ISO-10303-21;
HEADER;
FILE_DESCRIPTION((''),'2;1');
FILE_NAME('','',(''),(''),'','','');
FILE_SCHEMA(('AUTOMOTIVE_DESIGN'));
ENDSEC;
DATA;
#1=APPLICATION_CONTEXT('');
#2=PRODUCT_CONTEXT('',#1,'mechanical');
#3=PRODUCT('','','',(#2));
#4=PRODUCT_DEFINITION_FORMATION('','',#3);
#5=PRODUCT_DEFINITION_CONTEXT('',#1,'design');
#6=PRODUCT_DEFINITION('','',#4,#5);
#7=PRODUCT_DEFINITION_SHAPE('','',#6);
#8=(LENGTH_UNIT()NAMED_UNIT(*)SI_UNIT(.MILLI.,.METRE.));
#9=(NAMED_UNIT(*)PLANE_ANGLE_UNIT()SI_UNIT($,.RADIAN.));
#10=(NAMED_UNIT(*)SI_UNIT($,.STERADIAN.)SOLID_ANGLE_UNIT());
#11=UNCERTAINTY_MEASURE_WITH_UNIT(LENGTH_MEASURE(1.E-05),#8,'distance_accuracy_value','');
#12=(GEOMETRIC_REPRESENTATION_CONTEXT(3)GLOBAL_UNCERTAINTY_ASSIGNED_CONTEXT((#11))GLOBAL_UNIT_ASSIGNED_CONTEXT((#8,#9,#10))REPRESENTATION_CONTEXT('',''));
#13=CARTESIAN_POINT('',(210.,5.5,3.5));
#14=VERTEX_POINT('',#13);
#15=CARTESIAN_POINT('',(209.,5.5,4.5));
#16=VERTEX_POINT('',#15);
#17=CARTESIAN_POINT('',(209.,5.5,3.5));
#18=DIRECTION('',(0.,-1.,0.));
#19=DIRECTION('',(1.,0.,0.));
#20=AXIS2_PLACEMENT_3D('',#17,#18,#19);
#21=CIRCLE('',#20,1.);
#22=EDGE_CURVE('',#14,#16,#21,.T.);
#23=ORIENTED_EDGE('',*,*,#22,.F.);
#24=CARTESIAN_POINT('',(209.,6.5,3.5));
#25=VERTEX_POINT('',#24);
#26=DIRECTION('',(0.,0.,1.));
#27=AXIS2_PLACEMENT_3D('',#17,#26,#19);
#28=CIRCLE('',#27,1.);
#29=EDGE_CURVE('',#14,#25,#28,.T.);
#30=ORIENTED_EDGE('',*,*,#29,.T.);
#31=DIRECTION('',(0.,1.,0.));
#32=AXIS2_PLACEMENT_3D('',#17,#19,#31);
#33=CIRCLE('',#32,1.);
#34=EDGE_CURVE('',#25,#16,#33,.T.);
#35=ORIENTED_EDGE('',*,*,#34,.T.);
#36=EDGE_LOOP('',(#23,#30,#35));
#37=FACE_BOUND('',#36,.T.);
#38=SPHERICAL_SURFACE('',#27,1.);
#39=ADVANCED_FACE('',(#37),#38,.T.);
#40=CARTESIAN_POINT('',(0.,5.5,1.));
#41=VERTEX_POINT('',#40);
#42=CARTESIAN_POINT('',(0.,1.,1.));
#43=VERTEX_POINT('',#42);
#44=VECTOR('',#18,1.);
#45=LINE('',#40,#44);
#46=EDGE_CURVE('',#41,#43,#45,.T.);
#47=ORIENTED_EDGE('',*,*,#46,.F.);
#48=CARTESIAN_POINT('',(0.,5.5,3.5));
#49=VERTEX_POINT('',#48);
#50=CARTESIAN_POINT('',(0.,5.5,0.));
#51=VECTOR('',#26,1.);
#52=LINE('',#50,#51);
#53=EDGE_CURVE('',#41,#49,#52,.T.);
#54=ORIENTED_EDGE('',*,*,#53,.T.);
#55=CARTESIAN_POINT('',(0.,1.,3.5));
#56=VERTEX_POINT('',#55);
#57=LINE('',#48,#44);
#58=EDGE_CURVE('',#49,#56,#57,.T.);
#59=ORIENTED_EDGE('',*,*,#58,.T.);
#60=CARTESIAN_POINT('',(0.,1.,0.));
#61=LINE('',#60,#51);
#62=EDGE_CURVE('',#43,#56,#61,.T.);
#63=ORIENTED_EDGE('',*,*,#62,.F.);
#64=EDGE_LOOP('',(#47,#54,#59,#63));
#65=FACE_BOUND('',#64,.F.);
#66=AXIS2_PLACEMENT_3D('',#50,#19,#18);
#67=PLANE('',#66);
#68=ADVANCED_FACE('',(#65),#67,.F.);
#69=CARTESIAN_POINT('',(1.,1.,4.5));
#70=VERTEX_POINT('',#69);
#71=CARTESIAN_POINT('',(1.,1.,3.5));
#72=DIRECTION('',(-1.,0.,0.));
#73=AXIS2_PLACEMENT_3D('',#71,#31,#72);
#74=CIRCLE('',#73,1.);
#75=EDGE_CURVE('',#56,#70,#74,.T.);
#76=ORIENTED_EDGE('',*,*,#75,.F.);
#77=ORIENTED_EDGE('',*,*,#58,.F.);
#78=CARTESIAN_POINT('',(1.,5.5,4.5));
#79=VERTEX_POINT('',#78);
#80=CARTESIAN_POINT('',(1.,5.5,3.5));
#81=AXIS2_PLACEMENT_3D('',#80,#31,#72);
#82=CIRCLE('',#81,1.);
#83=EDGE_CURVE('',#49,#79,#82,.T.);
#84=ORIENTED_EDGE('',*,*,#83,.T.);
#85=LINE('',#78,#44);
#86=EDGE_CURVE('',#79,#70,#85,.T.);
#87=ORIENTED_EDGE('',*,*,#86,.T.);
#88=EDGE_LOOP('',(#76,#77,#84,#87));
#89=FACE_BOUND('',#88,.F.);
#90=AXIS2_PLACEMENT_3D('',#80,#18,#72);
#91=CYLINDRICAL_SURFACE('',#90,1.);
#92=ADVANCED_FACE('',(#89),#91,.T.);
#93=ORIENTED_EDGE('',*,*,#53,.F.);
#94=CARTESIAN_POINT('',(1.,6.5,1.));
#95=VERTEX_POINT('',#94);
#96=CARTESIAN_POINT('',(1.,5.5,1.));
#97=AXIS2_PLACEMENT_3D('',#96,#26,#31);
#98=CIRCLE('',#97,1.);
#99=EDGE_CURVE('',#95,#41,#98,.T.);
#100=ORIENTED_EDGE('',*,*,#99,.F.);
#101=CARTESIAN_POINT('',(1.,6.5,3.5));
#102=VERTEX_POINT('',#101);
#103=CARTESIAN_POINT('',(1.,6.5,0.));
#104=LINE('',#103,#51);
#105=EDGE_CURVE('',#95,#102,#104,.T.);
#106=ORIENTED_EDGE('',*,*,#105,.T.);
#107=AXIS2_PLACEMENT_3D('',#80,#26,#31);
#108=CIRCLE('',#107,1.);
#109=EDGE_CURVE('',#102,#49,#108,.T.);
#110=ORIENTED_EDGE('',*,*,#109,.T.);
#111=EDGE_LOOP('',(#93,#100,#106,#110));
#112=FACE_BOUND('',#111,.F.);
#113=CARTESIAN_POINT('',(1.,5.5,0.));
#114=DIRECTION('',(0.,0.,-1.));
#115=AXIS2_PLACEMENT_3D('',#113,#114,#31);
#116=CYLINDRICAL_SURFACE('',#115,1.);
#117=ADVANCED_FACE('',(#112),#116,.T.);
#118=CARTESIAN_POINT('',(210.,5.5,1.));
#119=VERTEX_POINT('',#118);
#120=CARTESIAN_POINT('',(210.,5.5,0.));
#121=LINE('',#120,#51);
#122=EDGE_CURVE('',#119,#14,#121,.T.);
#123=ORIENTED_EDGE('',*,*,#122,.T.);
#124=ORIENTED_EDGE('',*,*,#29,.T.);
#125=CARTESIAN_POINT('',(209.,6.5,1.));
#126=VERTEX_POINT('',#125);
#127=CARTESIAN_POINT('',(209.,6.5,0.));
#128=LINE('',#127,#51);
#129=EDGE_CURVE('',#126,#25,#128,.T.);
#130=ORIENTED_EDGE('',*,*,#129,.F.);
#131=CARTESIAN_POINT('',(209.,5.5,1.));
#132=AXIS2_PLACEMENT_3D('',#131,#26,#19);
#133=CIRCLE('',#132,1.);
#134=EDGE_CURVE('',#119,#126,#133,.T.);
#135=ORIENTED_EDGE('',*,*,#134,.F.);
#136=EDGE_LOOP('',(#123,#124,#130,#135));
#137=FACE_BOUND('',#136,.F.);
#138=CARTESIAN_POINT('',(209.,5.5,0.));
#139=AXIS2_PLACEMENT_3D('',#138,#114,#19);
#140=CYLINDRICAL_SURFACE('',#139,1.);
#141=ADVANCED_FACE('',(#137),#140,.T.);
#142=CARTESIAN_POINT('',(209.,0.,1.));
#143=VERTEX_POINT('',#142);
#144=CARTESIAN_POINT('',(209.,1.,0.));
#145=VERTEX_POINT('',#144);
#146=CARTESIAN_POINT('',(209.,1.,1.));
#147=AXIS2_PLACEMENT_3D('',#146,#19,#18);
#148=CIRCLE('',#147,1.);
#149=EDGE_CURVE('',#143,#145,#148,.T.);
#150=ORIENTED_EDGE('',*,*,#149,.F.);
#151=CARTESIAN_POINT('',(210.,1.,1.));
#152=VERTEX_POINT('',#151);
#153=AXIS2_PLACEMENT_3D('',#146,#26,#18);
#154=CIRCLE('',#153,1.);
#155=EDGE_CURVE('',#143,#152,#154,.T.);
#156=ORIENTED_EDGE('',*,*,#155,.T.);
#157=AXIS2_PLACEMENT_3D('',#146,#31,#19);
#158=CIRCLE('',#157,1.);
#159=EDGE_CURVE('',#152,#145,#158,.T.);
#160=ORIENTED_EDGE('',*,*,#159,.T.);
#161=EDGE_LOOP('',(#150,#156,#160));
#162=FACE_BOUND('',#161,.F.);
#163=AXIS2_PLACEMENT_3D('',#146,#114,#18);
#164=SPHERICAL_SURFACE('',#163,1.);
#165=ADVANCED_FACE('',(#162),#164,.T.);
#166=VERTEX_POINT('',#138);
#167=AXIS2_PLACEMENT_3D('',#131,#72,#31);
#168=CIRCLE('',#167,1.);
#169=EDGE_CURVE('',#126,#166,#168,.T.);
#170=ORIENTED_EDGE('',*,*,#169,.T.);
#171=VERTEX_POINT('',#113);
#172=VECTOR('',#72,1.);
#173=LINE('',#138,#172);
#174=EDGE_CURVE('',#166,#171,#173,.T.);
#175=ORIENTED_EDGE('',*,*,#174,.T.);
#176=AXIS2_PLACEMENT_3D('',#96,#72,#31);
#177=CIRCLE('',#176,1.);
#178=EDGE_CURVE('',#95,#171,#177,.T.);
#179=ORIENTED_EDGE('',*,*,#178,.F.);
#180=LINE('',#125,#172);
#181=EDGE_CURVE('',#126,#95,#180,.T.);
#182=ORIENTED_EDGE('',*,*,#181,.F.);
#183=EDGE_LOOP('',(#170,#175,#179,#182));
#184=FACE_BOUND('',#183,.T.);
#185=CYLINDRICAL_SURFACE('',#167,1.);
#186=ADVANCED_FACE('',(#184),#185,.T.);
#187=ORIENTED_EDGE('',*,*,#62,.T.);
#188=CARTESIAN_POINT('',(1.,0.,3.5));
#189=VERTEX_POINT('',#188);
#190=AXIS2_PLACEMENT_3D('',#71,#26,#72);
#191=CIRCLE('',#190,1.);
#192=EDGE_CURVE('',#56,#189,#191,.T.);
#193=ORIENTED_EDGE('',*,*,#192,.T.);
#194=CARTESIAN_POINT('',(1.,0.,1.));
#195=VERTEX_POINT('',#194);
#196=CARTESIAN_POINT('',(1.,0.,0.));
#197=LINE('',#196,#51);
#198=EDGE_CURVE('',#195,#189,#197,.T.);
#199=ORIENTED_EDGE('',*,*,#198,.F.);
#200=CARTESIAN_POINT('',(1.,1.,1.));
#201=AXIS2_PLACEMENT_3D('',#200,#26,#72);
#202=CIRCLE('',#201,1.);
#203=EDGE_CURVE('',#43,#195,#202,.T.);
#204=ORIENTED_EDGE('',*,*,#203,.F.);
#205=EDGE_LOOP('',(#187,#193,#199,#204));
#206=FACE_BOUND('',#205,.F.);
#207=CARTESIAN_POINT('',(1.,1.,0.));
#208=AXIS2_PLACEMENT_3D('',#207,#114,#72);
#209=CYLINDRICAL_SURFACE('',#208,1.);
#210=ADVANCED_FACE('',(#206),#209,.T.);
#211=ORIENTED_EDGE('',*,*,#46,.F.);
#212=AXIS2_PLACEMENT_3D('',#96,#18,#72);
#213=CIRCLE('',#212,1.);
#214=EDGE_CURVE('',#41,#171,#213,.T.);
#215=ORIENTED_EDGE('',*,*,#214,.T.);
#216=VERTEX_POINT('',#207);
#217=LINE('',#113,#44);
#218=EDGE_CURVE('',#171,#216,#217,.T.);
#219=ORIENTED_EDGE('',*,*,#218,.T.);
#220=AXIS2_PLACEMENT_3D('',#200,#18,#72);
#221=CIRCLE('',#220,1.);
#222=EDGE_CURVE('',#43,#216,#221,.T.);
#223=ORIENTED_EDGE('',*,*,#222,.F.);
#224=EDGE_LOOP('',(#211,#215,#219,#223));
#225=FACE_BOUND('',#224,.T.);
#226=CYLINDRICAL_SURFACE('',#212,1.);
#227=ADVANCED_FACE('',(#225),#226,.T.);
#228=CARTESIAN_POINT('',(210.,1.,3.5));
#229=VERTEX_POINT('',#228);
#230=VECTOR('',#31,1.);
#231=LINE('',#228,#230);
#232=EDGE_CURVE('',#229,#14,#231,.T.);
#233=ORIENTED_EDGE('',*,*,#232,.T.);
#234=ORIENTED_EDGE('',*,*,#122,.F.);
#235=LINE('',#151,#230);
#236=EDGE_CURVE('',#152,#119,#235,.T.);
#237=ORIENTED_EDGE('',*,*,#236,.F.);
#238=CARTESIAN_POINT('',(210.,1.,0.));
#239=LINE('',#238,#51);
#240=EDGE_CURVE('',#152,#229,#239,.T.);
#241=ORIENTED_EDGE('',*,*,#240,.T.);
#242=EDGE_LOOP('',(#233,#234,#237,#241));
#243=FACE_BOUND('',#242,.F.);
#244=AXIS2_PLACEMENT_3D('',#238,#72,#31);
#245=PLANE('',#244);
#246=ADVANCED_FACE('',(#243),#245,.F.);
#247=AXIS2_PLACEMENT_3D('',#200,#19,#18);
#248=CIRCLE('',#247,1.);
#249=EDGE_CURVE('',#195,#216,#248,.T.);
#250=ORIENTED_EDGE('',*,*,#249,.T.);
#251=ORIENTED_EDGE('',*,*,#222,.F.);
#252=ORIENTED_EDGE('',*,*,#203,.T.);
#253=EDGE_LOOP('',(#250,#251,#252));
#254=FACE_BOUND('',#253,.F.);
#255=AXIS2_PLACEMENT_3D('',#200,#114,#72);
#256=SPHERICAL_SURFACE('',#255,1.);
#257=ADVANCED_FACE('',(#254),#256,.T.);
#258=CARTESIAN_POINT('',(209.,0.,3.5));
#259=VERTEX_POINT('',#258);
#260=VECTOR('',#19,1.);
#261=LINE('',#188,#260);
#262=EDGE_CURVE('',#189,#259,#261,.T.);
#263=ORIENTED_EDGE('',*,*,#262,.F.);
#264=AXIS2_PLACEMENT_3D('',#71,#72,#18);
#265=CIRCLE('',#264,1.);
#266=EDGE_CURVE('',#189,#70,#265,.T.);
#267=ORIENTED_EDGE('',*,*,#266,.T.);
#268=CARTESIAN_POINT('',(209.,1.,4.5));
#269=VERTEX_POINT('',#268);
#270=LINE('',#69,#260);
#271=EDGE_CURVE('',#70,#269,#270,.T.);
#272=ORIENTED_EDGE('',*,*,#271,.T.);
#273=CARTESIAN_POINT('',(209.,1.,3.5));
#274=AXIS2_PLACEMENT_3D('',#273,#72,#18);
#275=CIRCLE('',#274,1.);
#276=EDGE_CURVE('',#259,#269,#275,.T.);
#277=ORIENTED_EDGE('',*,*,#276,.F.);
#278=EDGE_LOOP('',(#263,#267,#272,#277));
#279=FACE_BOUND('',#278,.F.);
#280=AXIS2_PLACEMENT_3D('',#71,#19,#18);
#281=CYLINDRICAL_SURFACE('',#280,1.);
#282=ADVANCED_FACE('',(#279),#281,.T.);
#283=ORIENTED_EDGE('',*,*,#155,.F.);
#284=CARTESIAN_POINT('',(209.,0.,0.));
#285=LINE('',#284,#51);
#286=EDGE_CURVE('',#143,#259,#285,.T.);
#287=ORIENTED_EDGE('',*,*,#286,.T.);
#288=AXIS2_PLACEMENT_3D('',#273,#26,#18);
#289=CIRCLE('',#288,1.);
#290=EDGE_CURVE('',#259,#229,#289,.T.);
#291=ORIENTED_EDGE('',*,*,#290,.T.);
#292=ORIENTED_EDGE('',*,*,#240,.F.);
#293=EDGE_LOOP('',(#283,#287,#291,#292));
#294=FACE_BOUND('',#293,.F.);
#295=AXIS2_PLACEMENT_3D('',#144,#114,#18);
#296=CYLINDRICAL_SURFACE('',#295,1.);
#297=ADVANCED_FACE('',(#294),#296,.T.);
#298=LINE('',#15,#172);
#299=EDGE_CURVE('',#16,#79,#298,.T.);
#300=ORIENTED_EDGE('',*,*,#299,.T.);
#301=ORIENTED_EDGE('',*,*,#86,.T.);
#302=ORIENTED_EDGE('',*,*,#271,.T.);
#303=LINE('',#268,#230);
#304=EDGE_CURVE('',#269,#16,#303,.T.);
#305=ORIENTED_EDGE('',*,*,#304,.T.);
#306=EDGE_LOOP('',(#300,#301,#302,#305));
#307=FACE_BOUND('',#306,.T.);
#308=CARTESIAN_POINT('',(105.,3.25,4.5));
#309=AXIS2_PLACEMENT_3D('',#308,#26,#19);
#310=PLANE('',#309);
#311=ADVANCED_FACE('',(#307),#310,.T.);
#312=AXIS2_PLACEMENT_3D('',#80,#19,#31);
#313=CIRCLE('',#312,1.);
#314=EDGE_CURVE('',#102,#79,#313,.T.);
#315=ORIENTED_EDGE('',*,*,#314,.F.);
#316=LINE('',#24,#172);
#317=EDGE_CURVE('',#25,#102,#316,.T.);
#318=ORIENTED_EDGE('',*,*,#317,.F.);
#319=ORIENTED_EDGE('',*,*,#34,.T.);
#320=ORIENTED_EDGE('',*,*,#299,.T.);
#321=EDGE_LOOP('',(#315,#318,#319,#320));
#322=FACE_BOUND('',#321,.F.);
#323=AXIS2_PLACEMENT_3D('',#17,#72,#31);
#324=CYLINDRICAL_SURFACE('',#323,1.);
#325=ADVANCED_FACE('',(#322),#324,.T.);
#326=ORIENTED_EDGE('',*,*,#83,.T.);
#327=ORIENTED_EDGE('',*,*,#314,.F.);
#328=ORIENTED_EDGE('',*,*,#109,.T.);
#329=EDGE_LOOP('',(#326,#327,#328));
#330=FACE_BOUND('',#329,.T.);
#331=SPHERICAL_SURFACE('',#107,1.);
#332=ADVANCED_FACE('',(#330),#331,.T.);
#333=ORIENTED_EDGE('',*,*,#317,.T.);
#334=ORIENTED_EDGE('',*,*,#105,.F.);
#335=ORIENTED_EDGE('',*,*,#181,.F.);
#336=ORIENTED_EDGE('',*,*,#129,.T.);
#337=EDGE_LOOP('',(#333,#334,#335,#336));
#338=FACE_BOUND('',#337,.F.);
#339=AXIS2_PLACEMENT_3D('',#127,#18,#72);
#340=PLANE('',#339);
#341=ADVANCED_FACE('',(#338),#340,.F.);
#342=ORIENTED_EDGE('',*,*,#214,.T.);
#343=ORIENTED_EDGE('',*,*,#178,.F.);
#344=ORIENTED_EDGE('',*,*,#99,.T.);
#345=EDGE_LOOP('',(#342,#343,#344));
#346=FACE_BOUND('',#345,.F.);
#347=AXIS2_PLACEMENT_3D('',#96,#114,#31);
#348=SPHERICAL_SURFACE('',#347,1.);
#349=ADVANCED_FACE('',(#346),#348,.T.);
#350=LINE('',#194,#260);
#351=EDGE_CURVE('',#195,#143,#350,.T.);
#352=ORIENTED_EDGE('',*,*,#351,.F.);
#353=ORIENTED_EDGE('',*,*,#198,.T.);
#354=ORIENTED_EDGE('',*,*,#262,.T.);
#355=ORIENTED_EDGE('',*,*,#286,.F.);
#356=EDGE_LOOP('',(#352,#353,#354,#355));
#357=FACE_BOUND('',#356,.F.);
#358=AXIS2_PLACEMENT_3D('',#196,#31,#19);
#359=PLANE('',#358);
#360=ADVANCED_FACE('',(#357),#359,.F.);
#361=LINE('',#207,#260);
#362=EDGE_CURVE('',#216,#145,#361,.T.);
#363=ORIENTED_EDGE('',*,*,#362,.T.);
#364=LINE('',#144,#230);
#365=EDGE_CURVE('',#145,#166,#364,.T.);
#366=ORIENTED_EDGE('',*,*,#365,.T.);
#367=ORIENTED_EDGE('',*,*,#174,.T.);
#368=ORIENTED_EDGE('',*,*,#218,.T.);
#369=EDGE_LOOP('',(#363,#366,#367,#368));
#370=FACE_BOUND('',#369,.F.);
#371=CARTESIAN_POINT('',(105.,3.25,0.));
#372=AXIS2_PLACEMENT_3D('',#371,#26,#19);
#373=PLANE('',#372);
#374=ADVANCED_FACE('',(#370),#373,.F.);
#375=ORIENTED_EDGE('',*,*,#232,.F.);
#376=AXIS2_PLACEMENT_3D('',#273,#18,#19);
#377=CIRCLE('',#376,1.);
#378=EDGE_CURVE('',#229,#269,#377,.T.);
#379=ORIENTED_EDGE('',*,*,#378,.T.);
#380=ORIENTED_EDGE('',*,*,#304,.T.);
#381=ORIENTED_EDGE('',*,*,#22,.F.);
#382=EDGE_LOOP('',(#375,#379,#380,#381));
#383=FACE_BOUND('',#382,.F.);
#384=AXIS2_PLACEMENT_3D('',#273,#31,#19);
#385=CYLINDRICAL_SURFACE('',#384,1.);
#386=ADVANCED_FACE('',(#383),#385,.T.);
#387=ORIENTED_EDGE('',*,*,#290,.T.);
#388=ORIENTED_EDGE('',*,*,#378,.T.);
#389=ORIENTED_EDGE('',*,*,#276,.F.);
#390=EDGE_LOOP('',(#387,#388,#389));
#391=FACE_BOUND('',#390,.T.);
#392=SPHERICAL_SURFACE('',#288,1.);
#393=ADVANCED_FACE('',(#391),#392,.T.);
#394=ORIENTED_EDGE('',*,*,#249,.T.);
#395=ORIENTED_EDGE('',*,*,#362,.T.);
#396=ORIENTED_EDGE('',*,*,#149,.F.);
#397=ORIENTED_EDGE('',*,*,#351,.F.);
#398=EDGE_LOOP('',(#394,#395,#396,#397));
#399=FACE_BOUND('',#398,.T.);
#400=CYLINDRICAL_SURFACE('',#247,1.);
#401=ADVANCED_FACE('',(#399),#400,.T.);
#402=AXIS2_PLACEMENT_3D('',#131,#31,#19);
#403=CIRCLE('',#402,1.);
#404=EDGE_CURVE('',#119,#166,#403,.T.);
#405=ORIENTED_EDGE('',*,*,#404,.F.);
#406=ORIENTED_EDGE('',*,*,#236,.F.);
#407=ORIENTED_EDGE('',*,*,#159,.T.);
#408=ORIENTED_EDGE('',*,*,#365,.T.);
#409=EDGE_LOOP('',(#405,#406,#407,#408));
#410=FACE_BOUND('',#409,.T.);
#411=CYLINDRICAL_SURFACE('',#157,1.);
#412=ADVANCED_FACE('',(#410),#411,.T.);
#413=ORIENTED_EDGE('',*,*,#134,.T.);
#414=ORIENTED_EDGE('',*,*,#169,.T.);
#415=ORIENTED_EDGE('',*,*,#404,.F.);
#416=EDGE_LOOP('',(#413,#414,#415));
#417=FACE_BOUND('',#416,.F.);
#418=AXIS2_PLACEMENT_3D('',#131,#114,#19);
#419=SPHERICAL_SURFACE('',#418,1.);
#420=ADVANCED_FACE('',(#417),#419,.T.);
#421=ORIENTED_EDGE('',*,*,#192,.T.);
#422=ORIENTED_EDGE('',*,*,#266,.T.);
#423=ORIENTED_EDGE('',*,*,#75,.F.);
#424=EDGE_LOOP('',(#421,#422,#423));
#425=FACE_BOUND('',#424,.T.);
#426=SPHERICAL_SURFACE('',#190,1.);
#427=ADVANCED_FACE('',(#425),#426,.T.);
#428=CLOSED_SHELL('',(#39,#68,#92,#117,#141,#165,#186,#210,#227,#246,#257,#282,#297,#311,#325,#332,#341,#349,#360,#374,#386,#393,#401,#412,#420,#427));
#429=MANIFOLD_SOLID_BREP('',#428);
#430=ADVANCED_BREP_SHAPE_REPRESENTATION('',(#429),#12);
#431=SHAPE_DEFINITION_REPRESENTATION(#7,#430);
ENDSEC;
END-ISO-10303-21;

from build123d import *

# Parameters (mm, degrees)
F1_DEPTH = 4.5
F2_R     = 1


with BuildPart() as f1:
    # F0 (on Top) → F1 (new body)
    with BuildSketch(Plane.XY):
        with BuildLine():
            ThreePointArc((0, 1), (0.2928932188, 0.2928932188), (1, 0))
            Line((1, 0), (209, 0))
            ThreePointArc((209, 0), (209.7071067812, 0.2928932188), (210, 1))
            Line((210, 1), (210, 5.5))
            ThreePointArc((210, 5.5), (209.7071067812, 6.2071067812), (209, 6.5))
            Line((209, 6.5), (1, 6.5))
            ThreePointArc((1, 6.5), (0.2928932188, 6.2071067812), (0, 5.5))
            Line((0, 5.5), (0, 1))
        make_face()
    extrude(amount=F1_DEPTH)

    # F2
    f2_edges = [f1.edges().sort_by_distance(p)[0] for p in [
        (0, 3.25, 4.5),
        (0, 3.25, 0),
    ]]
    fillet(f2_edges, radius=F2_R)


solid = f1.part
